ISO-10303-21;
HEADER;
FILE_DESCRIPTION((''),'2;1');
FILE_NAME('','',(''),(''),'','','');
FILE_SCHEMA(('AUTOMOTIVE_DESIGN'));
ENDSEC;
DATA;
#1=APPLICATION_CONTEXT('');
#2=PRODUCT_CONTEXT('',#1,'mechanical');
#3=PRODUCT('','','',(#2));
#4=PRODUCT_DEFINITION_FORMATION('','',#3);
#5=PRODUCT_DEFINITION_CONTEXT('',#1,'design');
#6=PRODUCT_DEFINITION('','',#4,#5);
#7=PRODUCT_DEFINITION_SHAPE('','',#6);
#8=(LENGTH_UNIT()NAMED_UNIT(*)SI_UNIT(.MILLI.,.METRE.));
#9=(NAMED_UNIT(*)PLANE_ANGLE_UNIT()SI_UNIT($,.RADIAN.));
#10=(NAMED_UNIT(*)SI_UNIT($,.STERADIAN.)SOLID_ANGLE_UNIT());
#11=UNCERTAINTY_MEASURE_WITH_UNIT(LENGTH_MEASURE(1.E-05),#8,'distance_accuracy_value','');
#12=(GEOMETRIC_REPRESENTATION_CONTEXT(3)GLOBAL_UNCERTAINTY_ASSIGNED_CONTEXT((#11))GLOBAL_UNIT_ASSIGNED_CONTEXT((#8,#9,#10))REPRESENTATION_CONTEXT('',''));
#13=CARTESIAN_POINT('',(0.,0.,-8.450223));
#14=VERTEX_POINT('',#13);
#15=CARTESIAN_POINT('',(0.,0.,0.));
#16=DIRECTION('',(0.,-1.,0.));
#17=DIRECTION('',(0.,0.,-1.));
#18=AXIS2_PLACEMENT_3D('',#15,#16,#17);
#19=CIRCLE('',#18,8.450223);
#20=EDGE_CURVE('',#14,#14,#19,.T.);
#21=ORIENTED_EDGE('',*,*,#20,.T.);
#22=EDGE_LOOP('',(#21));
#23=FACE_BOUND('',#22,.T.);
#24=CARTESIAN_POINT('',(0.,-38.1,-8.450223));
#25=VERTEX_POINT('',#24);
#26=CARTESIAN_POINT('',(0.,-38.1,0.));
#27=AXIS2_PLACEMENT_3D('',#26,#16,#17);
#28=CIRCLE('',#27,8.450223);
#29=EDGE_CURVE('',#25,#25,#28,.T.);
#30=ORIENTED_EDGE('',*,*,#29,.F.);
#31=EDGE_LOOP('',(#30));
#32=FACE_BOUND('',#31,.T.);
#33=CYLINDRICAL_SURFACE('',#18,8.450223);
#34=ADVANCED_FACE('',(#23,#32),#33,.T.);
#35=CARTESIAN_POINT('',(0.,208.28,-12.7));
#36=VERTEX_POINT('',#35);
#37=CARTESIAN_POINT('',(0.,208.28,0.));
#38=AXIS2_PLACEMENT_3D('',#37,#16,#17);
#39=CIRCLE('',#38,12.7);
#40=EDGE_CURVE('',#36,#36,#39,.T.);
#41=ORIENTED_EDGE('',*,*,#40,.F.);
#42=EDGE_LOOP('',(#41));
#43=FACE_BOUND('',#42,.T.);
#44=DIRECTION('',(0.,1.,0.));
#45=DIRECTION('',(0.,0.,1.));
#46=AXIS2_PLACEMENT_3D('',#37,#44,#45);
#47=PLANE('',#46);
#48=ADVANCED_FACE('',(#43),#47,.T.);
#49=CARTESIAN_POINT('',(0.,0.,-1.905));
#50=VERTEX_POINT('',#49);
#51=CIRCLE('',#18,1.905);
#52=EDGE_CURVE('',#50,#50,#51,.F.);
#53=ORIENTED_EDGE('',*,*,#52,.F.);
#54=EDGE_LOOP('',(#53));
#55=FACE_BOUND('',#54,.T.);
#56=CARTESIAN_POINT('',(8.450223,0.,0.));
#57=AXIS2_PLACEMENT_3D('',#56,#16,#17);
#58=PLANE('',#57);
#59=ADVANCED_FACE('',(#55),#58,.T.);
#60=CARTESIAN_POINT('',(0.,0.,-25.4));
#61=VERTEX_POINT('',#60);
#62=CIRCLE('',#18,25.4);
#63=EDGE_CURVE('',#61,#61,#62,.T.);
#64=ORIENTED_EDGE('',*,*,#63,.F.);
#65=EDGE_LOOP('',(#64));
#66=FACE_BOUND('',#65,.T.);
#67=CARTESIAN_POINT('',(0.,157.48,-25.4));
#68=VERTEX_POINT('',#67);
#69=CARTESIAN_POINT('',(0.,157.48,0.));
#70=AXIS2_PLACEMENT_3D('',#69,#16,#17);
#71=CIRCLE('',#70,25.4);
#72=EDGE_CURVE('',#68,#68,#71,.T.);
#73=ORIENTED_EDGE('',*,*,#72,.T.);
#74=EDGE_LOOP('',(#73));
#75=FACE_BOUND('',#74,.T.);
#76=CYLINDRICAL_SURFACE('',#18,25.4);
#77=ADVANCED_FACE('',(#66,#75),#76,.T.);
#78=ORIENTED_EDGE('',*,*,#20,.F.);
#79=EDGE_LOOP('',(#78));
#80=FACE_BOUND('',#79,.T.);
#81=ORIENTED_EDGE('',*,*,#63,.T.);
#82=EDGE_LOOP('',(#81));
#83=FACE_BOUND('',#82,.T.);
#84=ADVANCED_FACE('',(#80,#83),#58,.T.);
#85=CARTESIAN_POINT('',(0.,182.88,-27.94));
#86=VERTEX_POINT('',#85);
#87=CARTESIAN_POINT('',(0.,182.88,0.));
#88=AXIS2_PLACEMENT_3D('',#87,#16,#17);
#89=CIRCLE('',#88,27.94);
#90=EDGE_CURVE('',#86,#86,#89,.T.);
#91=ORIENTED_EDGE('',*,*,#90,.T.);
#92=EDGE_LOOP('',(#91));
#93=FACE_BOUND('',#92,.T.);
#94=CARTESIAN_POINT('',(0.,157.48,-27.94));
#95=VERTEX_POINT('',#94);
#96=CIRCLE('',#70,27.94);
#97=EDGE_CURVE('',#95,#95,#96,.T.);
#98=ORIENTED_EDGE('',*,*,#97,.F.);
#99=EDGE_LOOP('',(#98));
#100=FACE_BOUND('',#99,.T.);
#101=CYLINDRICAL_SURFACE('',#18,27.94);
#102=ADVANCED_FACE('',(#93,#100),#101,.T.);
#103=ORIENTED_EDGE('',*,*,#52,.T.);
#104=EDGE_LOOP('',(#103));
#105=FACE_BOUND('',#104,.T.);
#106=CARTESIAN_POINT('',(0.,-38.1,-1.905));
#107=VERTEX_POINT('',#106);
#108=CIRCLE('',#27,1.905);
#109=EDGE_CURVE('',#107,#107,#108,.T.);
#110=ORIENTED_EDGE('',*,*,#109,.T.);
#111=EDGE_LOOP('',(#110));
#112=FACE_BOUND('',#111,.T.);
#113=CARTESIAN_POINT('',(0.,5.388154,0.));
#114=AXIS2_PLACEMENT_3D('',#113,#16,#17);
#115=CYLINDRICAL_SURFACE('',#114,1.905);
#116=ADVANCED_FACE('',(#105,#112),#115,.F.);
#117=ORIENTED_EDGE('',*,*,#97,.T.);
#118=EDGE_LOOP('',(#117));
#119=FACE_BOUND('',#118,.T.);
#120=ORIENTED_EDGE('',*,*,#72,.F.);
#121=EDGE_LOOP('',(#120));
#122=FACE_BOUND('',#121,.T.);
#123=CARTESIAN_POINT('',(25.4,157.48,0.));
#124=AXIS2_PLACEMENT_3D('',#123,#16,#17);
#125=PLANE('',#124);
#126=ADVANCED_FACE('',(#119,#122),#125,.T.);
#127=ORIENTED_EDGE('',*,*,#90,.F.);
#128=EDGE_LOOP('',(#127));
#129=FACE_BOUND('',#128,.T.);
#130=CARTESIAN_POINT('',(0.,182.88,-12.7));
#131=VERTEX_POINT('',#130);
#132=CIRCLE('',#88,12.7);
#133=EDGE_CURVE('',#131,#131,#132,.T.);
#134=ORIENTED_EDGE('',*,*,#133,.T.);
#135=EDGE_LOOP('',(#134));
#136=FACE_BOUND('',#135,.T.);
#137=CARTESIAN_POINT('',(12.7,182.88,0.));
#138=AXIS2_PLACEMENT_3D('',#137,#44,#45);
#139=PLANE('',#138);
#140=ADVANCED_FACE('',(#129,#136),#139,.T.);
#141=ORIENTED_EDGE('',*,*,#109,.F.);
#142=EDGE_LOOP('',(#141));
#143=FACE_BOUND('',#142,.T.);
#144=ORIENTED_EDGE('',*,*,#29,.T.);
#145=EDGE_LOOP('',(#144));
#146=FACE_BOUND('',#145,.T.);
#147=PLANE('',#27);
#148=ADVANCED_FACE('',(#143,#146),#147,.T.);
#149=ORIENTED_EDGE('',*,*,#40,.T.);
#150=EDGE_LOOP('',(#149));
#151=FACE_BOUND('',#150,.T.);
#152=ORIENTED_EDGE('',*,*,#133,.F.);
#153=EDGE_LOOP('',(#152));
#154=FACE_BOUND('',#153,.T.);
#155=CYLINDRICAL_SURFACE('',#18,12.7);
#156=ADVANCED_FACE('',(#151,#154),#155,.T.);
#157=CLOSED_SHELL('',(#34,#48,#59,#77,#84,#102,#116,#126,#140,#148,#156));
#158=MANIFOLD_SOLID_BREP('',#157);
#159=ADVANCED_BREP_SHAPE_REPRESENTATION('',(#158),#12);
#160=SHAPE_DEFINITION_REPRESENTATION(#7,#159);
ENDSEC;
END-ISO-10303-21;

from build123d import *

# Parameters (mm, degrees)
SKETCH2_R          = 1.905
CUT_EXTRUDE1_DEPTH = 38.1


with BuildPart() as part:
    # Sketch1 → Revolve1 (revolve)
    with BuildSketch(Plane.XY, mode=Mode.PRIVATE) as revolve1_sk:
        Polygon((12.7, 182.88), (27.94, 182.88), (27.94, 157.48), (25.4, 157.48), (25.4, 0), (8.450222624, 0), (8.450222624, -38.1), (0, -38.1), (0, 0), (0, 182.88), (0, 208.28), (12.7, 208.28), align=None)
    revolve(revolve1_sk.sketch.rotate(Axis((0, 0, 0), (0, 1, 0)), 90), axis=Axis((0, 0, 0), (0, 1, 0)))

    # Sketch2 → Cut-Extrude1 (cut)
    with BuildSketch(Plane.XZ.offset(38.1)):
        with Locations(Location((0, 0, 0), (0, 0, 270))):
            Circle(SKETCH2_R)
    extrude(amount=-CUT_EXTRUDE1_DEPTH, mode=Mode.SUBTRACT)


solid = part.part
